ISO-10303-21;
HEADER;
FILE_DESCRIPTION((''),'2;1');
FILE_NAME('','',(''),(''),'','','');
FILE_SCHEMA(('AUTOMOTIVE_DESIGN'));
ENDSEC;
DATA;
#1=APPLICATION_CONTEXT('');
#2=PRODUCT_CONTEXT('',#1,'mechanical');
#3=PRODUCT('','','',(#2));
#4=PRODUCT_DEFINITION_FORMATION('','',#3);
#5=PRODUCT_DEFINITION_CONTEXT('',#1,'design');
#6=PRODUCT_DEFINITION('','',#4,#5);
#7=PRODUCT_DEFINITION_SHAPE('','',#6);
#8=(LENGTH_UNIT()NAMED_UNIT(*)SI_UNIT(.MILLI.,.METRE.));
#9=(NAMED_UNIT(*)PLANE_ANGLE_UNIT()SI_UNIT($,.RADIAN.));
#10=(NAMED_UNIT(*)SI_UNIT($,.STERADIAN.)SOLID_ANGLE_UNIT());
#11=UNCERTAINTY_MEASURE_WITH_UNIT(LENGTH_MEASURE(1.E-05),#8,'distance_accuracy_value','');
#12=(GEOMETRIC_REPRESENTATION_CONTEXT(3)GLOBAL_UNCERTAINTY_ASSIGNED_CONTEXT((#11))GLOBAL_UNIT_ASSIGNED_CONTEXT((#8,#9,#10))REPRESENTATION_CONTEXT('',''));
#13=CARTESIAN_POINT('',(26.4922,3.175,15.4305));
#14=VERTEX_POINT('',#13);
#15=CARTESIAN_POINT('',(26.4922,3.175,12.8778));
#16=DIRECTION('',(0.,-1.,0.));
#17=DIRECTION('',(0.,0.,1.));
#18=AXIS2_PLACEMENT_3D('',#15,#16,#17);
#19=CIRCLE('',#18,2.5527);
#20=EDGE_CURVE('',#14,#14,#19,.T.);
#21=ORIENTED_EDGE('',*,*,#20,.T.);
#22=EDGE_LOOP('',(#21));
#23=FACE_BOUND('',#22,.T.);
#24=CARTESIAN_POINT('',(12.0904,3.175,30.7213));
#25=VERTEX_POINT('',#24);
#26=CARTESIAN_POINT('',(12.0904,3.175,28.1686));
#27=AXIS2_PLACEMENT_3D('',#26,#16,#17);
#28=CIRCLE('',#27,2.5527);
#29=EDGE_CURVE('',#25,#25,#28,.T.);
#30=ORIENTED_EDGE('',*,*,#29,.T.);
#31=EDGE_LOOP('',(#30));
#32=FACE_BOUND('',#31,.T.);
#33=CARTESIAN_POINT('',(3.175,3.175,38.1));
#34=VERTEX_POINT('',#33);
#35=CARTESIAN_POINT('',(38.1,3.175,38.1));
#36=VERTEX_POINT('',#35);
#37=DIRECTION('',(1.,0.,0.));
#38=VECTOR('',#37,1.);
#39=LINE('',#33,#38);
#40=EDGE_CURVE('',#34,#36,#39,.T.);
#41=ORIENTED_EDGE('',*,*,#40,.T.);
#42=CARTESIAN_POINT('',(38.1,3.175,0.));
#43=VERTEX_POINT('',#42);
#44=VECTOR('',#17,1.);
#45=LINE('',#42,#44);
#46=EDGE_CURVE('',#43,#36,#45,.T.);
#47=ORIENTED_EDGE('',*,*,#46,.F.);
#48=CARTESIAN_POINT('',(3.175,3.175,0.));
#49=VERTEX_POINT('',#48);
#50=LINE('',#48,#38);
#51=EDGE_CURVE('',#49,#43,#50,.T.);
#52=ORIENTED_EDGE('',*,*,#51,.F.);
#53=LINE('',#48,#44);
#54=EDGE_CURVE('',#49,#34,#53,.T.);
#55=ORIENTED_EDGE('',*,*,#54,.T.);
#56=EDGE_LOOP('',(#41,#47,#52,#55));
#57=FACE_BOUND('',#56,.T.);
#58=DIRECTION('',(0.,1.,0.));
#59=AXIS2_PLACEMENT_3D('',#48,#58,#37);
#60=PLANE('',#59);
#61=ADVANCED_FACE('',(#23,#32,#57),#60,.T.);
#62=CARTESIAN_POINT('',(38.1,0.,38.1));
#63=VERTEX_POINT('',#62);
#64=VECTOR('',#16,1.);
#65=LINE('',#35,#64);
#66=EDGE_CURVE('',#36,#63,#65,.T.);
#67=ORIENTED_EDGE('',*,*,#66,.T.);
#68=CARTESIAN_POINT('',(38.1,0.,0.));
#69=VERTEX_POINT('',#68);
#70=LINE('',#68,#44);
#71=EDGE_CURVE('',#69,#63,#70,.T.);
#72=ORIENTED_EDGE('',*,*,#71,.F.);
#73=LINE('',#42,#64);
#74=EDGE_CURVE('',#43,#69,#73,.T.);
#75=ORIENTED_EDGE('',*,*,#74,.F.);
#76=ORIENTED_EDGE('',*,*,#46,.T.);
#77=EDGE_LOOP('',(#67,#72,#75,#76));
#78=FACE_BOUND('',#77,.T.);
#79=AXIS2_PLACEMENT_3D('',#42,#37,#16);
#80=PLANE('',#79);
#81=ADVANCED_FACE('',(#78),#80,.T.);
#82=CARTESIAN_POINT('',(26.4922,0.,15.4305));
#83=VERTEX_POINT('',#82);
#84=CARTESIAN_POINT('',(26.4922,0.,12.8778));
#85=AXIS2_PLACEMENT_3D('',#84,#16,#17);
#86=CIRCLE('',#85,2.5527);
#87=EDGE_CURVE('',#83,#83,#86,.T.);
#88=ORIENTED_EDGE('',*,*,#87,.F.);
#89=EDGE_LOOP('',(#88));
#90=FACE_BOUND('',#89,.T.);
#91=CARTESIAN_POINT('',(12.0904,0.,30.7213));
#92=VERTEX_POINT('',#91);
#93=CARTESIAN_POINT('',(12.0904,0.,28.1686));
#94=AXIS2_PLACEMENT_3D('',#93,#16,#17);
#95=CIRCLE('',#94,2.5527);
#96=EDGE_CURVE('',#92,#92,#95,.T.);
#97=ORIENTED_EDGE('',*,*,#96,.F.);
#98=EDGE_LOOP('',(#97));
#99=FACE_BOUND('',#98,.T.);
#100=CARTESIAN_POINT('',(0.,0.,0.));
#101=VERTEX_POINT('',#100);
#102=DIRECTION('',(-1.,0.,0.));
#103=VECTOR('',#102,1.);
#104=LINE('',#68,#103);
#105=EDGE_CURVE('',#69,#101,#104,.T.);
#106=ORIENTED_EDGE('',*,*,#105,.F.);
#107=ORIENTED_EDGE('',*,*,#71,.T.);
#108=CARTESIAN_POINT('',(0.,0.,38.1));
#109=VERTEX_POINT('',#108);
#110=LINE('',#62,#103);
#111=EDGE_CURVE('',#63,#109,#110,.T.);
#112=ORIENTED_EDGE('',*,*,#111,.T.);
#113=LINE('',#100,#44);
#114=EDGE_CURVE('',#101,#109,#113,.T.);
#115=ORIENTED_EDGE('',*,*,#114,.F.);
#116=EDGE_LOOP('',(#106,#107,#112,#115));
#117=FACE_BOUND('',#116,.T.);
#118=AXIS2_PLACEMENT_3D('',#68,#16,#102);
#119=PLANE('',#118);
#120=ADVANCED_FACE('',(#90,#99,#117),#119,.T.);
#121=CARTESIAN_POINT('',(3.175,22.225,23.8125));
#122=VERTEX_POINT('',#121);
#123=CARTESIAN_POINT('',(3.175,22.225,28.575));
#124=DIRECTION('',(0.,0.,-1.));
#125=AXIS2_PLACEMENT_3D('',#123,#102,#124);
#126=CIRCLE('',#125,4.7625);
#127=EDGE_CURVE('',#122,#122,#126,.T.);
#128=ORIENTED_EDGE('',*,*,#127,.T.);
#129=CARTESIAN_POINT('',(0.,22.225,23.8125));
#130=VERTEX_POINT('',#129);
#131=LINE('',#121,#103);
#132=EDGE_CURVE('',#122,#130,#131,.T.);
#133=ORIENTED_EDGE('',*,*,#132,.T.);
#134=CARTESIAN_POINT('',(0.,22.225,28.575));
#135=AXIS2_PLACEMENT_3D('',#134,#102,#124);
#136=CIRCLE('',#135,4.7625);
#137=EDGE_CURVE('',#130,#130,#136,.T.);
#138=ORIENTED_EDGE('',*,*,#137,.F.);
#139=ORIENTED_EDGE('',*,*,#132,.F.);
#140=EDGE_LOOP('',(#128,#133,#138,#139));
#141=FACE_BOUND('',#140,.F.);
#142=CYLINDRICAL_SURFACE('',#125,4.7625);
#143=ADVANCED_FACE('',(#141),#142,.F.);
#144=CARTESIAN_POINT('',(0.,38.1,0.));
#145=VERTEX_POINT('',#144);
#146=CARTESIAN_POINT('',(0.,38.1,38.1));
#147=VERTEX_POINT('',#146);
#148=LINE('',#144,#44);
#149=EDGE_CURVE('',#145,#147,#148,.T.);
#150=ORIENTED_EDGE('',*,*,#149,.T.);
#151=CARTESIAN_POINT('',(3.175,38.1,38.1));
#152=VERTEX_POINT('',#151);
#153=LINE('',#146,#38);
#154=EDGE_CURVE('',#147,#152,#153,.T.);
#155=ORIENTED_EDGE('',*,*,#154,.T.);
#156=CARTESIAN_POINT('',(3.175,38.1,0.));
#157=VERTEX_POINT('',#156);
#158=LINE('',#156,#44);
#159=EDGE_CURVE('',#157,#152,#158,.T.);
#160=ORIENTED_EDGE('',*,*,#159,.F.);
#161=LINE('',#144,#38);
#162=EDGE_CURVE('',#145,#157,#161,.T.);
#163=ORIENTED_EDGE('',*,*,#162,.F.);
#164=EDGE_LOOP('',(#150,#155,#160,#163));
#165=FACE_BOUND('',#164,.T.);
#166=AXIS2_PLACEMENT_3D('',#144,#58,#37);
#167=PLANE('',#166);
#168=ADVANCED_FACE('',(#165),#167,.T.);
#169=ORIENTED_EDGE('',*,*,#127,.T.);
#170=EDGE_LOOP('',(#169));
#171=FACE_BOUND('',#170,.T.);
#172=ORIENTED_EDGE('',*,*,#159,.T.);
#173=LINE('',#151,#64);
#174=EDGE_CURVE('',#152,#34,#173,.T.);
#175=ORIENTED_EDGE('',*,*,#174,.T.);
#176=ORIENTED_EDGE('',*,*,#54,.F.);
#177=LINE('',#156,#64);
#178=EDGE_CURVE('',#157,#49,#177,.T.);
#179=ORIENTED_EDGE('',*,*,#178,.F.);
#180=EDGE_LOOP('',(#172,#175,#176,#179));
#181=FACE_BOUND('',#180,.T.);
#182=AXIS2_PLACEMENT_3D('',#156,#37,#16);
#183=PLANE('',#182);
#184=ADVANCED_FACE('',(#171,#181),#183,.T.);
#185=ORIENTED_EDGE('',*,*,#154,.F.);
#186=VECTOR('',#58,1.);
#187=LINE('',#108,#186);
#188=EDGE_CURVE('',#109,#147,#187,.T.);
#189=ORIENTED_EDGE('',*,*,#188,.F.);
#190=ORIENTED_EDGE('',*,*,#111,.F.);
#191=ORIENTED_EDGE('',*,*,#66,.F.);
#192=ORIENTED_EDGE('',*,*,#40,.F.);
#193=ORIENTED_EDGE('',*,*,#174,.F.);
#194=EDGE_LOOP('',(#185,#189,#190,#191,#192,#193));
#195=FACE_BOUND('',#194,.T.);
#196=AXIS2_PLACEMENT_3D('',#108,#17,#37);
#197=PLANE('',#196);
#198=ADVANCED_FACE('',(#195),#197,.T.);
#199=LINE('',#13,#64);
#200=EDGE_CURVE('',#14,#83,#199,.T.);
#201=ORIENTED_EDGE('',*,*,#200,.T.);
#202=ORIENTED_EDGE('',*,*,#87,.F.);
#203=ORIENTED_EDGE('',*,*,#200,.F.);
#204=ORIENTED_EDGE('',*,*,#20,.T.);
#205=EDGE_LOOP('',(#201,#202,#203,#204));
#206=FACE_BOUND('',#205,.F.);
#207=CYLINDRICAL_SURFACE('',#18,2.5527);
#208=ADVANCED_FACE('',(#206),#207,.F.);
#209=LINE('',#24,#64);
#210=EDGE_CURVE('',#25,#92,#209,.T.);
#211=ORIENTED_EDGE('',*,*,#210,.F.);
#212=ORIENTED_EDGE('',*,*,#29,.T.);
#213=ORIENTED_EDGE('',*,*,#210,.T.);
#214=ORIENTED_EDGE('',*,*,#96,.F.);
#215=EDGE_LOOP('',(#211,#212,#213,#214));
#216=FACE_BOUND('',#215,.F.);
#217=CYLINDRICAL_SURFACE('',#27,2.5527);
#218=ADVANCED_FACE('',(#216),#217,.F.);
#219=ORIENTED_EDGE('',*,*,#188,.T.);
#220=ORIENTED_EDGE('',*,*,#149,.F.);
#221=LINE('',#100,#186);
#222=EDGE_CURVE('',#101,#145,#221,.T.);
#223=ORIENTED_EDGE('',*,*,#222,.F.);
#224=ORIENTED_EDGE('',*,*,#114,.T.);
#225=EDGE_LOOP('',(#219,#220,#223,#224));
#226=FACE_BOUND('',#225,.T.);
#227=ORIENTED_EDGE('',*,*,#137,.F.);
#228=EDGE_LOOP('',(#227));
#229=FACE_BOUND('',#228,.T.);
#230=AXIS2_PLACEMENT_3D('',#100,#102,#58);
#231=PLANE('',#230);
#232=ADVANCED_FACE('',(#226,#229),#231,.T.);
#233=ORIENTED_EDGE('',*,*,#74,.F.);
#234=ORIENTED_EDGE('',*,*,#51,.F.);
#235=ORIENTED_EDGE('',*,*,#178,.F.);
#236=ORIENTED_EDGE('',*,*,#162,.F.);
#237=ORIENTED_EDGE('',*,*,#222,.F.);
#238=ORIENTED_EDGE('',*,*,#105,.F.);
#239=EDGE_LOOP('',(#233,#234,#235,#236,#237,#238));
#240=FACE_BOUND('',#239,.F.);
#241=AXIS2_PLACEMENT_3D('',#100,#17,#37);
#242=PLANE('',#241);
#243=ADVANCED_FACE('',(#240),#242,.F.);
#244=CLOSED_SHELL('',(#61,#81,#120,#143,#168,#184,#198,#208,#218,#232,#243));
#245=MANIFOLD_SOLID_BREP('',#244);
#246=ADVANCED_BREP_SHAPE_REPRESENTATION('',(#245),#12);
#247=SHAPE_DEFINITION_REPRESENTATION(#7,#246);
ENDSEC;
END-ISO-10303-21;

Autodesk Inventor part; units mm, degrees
ref_plane "YZ Plane" through (0, 0, 0) normal (1, 0, 0) x (0, 1, 0)
ref_plane "XZ Plane" through (0, 0, 0) normal (0, 1, 0) x (-1, 0, 0)
ref_plane "XY Plane" through (0, 0, 0) normal (0, 0, 1) x (1, 0, 0)
sketch "Sketch1" plane through (0, 0, 0) normal (0, 0, 1) x (1, 0, 0)
  line L0 (0, 0) -> (0, 38.1)
  line L1 (0, 38.1) -> (3.175, 38.1)
  line L2 (3.175, 38.1) -> (3.175, 3.175)
  line L3 (3.175, 3.175) -> (38.1, 3.175)
  line L4 (38.1, 3.175) -> (38.1, 0)
  line L5 (38.1, 0) -> (0, 0)
  dimension "d0" = 38.1
  dimension "d1" = 3.175
extrude "Extrusion1" add sketch "Sketch1" along normal blind 38.1
sketch "Sketch2" plane through (3.175, 3.175, 0) normal (1, 0, 0) x (0, 0, -1)
  line L0 (0, 34.925) -> (-38.1, 34.925) projected
  line L1 (-38.1, 0) -> (-38.1, 34.925) projected
  line L2 (0, 0) -> (-38.1, 0) projected
  point P0 (0, -3.175)
  point P1 (-28.575, 19.05)
  dimension "d5" = 9.525
  dimension "d24" = 19.05
hole "Hole1" at (3.175, 22.225, 28.575) direction (-1, 0, 0) diameter 9.525 end through all
sketch "Sketch3" plane through (3.175, 3.175, 0) normal (0, 1, 0) x (1, 0, 0)
  line L0 (34.925, -38.1) -> (0, -38.1) projected
  line L1 (0, 0) -> (0, -38.1) projected
  line L2 (34.925, 0) -> (34.925, -38.1) projected
  point P0 (-3.175, 0)
  point P1 (8.9154, -28.1686)
  point P2 (23.3172, -12.8778)
  dimension "d13" = 9.9314
  dimension "d14" = 8.9154
  dimension "d15" = 25.2222
  dimension "d16" = 11.6078
hole "Hole2" at (12.0904, 3.175, 28.1686) at (26.4922, 3.175, 12.8778) direction (0, -1, 0) diameter 5.1054 end through all
properties part number "CLB_085_ClimberMountLBracket" material "Aluminum 6061"
